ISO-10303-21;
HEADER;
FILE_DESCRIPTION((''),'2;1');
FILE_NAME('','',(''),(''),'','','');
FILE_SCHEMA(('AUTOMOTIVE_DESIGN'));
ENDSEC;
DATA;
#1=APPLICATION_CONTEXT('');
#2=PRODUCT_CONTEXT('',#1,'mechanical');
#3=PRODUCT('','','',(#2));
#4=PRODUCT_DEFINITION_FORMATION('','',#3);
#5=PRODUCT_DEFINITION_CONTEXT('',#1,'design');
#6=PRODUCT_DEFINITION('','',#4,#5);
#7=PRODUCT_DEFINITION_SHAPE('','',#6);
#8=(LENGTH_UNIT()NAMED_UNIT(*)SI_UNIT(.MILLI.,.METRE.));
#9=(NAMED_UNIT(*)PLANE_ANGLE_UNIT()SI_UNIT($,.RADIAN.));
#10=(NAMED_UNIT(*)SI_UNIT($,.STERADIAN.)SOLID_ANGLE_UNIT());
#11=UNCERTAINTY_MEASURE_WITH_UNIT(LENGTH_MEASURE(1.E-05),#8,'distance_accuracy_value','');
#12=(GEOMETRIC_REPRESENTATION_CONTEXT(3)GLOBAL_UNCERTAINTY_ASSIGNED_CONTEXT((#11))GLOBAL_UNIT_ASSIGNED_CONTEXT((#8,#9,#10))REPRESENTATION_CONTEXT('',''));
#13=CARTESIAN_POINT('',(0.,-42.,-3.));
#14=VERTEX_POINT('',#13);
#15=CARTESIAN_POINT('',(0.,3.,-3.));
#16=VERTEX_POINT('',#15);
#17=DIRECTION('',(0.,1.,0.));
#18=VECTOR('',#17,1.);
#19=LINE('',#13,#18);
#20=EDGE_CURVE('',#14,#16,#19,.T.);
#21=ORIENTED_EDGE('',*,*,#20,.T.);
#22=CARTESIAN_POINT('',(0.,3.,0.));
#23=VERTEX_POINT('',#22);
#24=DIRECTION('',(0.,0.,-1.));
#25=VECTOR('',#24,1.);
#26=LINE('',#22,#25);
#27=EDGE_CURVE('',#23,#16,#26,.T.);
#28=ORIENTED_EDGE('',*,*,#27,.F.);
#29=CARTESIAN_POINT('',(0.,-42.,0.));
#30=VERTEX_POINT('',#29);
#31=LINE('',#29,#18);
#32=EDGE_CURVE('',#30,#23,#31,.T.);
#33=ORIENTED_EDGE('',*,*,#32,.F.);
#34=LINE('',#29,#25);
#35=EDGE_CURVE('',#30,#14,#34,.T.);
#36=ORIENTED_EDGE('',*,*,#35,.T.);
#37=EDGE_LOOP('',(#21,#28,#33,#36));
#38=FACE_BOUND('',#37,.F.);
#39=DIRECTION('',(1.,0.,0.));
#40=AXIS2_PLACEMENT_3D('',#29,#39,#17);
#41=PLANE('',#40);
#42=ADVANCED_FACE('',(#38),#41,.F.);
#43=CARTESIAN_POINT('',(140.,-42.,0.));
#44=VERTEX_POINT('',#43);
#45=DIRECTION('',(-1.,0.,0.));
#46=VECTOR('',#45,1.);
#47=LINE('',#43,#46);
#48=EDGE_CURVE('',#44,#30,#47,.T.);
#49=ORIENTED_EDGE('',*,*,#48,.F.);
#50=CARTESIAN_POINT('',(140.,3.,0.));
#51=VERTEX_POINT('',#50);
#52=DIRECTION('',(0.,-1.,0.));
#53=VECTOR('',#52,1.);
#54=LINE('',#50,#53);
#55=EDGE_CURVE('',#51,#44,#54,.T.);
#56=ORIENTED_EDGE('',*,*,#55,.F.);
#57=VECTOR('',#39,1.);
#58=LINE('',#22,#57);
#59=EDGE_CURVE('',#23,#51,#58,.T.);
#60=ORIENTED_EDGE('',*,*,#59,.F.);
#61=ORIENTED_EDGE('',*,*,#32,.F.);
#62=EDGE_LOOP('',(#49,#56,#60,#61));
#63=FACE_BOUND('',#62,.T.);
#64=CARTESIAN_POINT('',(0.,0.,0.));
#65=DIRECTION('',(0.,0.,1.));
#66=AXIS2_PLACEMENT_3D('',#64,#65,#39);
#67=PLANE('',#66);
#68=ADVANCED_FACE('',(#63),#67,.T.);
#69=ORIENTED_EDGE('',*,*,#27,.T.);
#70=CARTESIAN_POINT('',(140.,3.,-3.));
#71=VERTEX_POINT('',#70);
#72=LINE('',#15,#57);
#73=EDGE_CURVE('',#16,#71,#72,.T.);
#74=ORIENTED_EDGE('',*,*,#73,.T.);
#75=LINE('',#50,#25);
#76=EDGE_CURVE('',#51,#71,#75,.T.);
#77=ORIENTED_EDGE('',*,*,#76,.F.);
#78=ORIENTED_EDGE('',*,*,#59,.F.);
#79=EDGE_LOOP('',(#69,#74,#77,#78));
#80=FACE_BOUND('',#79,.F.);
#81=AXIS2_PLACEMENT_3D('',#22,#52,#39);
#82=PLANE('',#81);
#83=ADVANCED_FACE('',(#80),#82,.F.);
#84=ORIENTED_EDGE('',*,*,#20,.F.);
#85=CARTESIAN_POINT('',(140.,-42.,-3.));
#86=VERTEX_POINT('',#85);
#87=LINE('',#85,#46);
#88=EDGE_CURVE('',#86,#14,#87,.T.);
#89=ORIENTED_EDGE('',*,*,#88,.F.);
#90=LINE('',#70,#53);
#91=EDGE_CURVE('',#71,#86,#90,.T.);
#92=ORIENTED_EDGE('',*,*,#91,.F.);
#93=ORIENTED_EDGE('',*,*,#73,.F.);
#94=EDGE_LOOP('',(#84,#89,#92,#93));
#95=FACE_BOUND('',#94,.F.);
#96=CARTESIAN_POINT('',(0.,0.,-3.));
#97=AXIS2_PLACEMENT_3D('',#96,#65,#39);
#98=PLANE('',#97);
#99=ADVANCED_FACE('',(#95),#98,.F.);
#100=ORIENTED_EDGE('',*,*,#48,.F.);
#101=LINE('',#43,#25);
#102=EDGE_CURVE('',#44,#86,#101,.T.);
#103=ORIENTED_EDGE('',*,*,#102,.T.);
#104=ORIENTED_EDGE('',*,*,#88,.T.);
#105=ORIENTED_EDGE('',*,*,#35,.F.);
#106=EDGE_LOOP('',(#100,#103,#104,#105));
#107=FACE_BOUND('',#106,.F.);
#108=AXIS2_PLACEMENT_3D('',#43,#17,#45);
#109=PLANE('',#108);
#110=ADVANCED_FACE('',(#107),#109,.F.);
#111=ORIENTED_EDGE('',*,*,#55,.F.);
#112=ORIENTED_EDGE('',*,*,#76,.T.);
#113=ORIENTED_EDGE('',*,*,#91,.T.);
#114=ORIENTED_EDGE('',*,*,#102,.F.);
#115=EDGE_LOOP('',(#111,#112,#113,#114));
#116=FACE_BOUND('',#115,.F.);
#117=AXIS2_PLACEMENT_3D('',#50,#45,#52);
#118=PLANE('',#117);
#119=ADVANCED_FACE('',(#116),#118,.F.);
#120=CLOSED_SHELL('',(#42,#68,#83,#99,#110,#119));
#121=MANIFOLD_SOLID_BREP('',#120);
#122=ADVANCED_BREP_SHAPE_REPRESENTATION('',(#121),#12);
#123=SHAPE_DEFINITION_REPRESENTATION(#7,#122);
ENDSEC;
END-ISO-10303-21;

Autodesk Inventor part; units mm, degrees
ref_plane "YZ Plane" through (0, 0, 0) normal (1, 0, 0) x (0, 1, 0)
ref_plane "XZ Plane" through (0, 0, 0) normal (0, 1, 0) x (-1, 0, 0)
ref_plane "XY Plane" through (0, 0, 0) normal (0, 0, 1) x (1, 0, 0)
sketch "Sketch1" plane through (0, 0, 0) normal (0, 0, 1) x (1, 0, 0)
  line L0 (0, 3) -> (140, 3)
  line L1 (140, 3) -> (140, -42)
  line L2 (140, -42) -> (0, -42)
  line L3 (0, -42) -> (0, 3)
  point P0 (0, 0)
  dimension "d0" = 140
  dimension "d1" = 45
extrude "Extrusion1" add sketch "Sketch1" against normal blind 3
properties part number "motorkap"
